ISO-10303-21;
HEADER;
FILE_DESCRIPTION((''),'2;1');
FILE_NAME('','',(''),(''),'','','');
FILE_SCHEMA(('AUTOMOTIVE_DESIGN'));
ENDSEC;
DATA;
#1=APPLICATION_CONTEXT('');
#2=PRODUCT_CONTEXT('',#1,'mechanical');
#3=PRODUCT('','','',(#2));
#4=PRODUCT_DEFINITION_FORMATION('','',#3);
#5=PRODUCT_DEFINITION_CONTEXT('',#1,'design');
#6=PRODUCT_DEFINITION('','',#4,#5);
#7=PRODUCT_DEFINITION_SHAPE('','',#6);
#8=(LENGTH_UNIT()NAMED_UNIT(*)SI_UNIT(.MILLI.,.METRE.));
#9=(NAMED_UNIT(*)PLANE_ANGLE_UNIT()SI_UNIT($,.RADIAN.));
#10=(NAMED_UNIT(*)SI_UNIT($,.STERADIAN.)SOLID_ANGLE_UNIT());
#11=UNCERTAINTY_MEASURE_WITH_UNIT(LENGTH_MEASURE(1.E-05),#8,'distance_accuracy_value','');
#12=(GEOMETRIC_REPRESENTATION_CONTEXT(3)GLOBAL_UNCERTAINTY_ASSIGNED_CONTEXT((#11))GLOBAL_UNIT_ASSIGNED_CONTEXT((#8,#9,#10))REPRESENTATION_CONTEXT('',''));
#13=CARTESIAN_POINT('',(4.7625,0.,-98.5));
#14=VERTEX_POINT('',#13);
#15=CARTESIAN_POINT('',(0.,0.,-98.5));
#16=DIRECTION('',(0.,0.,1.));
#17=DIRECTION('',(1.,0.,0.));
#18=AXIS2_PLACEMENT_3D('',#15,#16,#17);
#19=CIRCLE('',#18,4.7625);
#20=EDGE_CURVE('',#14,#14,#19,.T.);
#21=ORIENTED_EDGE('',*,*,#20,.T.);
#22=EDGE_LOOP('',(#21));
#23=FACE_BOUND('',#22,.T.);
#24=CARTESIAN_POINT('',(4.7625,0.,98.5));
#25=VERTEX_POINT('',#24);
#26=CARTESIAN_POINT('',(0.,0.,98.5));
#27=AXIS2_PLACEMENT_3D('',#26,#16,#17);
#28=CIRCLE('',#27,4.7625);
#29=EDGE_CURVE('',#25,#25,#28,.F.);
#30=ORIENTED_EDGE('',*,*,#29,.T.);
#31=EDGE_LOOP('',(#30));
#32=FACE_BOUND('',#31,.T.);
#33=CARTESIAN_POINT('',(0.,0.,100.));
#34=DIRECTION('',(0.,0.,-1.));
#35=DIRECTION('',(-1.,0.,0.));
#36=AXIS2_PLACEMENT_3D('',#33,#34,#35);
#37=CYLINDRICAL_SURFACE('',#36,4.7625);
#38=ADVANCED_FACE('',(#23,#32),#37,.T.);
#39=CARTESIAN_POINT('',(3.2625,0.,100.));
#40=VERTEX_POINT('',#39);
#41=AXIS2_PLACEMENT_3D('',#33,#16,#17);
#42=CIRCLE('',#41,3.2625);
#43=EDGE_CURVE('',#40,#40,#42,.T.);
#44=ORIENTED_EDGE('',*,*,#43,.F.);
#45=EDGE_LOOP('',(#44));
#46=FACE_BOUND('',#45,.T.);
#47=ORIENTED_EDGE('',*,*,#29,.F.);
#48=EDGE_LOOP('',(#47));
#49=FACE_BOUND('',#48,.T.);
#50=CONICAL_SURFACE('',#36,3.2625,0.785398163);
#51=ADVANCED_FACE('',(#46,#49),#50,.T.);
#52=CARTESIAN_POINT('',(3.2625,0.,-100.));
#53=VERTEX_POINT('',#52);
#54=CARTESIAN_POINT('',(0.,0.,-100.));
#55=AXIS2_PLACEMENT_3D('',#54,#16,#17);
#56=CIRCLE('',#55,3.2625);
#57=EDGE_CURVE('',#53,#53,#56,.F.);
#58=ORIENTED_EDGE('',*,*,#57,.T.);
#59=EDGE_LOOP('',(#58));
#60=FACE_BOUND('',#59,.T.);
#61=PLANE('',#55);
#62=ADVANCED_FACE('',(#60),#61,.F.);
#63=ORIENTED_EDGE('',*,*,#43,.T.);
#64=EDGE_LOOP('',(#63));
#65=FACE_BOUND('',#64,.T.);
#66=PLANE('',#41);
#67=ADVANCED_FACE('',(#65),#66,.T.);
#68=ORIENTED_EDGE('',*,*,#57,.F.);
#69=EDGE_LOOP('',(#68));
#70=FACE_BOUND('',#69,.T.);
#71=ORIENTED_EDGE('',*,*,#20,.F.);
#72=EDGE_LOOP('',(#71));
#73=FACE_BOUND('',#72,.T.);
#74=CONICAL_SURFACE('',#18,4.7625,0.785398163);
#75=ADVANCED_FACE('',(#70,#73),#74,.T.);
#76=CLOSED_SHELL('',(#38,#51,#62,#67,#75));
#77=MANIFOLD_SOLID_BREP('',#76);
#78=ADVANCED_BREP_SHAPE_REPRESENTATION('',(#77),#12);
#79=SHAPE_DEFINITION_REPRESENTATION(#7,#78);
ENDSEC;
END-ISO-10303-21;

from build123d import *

# Parameters (mm, degrees)
CROQUIS1_R              = 4.7625
SALIENTE_EXTRUIR1_DEPTH = 100
CHAFL_N1_SIZE           = 1.5


with BuildPart() as part:
    # Croquis1 → Saliente-Extruir1 (new, symmetric)
    with BuildSketch(Plane.XY):
        Circle(CROQUIS1_R)
    extrude(amount=SALIENTE_EXTRUIR1_DEPTH, both=True)

    # Chaflán1
    chafl_n1_edges = [part.edges().sort_by_distance(p)[0] for p in [
        (-4.7625, 0, -100),
        (-4.7625, 0, 100),
    ]]
    chamfer(chafl_n1_edges, length=CHAFL_N1_SIZE)


solid = part.part
